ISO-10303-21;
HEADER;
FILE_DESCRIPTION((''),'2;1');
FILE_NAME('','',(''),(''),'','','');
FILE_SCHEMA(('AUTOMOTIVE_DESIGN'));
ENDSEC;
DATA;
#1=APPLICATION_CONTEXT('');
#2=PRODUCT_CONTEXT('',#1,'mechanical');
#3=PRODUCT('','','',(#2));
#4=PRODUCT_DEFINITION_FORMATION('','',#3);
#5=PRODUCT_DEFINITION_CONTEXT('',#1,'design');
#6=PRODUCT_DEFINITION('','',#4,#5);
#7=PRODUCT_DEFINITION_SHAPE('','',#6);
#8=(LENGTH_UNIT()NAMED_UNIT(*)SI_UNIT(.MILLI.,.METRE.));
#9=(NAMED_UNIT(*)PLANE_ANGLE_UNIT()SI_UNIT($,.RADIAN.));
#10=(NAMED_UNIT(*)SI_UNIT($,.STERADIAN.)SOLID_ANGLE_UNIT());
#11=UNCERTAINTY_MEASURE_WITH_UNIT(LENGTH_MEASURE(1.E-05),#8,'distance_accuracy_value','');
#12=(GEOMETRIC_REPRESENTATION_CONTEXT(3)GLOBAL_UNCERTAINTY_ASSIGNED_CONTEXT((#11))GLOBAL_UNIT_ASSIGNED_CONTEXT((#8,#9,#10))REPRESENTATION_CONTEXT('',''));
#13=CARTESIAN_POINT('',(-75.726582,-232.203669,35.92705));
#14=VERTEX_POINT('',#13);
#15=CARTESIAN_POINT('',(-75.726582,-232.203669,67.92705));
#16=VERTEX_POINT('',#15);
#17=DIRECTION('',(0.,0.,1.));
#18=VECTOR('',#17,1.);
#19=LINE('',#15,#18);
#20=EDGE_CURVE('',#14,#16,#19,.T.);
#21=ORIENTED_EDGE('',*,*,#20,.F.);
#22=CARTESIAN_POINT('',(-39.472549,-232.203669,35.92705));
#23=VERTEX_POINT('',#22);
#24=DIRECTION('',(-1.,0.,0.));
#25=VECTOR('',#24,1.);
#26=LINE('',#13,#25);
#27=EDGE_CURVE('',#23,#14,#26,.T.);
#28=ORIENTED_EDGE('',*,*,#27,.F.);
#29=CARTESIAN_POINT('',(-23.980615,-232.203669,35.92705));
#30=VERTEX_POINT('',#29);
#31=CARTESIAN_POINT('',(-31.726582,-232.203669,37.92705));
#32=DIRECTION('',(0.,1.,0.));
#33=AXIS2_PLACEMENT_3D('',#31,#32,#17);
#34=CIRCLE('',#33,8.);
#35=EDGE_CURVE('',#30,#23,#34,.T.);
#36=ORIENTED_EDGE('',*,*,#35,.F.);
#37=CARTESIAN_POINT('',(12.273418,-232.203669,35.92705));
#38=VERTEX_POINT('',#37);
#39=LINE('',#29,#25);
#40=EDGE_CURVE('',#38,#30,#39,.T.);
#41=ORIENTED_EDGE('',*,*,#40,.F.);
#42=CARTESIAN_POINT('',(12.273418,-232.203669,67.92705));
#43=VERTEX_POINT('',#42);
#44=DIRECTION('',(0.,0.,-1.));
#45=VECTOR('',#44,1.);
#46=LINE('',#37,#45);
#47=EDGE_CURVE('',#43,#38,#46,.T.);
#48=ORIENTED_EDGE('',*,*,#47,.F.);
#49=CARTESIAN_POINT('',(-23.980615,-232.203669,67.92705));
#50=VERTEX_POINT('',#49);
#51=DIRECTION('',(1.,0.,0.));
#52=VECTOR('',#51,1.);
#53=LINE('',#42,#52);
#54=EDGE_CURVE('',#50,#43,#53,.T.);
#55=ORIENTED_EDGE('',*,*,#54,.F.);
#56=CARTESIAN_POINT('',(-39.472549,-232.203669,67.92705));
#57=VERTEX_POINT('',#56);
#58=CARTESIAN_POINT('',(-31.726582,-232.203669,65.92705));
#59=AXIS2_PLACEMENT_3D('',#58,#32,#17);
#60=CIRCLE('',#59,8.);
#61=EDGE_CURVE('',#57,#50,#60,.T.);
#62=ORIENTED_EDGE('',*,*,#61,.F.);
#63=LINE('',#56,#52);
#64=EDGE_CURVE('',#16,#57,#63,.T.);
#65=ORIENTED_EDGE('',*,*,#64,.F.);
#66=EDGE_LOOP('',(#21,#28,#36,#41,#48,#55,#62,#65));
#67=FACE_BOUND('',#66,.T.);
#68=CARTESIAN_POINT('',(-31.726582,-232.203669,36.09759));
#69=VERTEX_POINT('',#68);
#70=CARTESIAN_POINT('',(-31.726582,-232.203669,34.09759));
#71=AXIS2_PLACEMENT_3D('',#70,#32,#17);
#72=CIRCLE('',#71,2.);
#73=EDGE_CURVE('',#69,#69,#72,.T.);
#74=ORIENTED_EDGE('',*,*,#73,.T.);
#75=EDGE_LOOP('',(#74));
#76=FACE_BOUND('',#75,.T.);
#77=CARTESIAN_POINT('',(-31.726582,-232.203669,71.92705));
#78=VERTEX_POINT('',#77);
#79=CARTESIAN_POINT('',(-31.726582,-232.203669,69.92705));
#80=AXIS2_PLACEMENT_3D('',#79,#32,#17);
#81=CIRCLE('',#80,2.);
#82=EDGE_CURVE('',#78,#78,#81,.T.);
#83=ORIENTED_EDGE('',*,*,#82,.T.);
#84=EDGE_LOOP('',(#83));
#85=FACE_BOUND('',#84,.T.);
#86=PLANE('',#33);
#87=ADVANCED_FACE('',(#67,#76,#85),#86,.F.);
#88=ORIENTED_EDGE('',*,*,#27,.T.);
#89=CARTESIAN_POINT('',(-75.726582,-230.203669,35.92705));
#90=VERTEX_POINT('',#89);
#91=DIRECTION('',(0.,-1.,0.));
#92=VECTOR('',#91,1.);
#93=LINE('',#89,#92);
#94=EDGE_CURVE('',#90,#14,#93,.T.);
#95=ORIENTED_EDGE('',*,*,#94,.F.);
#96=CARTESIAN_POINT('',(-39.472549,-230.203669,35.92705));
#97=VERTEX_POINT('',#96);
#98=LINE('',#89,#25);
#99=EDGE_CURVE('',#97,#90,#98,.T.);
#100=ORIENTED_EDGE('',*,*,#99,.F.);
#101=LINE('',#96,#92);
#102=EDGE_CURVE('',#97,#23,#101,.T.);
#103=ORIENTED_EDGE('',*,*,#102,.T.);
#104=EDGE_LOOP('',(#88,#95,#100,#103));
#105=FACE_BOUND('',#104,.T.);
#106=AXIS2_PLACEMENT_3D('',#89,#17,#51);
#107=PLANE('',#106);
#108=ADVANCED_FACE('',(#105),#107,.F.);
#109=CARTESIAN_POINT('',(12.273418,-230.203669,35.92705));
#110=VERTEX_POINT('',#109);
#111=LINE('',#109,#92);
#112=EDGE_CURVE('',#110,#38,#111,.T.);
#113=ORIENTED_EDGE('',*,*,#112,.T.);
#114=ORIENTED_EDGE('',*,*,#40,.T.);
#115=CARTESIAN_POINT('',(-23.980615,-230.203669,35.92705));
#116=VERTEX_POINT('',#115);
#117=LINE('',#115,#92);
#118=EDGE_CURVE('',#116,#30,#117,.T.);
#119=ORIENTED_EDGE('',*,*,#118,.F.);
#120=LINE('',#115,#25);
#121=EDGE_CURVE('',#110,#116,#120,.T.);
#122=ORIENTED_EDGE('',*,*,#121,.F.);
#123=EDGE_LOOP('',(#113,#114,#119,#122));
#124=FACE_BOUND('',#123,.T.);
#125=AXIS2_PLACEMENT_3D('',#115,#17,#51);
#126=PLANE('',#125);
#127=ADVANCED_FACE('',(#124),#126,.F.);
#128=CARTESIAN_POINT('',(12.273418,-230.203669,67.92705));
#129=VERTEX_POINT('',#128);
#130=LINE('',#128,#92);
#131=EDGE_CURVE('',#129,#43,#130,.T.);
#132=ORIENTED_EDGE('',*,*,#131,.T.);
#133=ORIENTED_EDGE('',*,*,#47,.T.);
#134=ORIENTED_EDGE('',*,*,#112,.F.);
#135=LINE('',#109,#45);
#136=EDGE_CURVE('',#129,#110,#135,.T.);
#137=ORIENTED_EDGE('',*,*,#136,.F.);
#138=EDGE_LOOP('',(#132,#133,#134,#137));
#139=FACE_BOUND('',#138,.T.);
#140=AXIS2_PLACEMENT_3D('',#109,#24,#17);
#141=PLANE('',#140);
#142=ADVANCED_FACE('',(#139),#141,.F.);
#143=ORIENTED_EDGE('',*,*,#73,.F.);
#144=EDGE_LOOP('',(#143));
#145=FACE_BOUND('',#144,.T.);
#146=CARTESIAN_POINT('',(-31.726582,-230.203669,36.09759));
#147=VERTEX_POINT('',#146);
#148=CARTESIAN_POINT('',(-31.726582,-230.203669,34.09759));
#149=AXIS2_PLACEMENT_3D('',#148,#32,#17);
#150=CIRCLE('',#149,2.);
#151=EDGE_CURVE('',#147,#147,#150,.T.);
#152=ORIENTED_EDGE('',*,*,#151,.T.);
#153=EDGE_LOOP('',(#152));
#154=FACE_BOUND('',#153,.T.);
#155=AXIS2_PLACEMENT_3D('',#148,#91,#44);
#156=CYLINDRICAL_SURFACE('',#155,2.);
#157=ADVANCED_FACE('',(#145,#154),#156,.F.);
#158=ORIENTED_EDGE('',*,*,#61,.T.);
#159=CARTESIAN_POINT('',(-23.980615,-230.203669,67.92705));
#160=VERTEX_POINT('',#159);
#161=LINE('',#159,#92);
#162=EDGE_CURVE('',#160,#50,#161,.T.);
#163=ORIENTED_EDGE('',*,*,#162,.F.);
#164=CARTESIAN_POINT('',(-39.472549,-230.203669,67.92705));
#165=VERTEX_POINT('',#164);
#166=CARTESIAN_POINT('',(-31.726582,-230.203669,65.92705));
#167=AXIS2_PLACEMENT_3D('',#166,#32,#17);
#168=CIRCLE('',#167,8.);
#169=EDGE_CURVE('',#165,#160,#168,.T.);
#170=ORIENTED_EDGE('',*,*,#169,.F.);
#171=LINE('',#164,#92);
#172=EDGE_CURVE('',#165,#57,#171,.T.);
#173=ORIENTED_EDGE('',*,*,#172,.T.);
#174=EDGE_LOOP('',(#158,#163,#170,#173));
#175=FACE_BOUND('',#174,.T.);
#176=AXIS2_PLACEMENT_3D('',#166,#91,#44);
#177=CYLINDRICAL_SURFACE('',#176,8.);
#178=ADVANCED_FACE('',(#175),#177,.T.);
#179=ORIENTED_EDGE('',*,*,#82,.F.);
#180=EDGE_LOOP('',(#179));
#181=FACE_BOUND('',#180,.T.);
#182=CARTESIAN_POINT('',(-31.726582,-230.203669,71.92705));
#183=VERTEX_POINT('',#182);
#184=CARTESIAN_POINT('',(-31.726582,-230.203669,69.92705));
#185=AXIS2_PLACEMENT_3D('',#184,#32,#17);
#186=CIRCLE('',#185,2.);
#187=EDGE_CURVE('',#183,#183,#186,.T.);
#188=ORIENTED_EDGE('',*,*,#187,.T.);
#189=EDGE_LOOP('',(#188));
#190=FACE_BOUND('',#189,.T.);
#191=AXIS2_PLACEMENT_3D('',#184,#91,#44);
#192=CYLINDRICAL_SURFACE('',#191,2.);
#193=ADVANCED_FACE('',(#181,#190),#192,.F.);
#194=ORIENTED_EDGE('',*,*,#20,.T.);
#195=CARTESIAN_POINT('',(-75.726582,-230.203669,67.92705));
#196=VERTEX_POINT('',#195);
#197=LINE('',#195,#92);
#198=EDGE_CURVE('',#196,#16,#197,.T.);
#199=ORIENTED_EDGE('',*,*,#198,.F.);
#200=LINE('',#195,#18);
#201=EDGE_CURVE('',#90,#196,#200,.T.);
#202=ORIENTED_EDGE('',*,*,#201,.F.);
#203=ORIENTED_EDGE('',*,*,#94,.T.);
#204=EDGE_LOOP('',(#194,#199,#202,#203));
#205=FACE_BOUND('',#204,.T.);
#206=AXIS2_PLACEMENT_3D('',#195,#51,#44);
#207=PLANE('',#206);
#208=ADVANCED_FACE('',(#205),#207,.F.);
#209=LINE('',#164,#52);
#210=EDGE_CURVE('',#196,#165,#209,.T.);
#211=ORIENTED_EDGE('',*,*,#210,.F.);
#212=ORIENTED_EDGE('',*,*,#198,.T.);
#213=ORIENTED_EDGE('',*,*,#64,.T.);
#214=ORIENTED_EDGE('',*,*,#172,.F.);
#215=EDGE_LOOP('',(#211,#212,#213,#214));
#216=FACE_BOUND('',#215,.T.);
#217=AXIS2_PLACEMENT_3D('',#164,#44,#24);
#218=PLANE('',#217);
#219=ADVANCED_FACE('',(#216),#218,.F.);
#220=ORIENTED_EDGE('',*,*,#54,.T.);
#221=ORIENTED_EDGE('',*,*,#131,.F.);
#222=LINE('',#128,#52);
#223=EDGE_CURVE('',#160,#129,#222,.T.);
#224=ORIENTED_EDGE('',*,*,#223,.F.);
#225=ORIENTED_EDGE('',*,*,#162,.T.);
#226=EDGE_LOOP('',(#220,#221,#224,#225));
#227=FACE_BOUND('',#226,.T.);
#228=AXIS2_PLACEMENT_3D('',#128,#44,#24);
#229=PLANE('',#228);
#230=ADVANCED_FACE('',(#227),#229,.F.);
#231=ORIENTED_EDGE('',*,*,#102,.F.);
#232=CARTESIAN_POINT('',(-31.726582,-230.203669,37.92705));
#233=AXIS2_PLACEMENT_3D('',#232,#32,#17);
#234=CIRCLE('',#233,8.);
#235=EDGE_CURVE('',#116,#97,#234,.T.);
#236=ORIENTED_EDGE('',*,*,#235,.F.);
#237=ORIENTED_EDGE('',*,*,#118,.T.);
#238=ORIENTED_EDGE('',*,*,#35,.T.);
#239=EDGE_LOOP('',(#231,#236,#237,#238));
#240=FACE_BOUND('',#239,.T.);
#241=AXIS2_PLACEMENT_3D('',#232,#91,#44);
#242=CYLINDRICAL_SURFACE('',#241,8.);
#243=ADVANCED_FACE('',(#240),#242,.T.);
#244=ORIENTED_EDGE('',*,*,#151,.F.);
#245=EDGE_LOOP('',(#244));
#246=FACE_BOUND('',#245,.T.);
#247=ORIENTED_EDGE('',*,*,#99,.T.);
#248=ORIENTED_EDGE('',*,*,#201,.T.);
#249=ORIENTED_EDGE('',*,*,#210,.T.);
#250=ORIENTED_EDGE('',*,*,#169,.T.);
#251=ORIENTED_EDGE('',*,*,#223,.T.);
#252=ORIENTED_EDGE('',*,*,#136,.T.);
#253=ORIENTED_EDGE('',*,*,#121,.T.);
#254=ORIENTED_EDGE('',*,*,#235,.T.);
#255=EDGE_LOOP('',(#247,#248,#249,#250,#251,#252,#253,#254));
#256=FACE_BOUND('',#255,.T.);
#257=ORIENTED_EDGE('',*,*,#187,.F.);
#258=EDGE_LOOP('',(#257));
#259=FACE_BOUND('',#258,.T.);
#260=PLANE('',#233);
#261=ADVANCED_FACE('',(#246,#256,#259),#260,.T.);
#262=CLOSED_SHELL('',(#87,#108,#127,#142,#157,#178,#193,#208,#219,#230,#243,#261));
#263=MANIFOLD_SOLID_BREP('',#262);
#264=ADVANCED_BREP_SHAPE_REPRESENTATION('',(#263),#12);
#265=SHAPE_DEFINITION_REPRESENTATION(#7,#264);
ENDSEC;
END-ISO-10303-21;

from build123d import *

# Parameters (mm, degrees)
SKETCH1_R           = 2
BOSS_EXTRUDE1_DEPTH = 2


with BuildPart() as part:
    # Sketch1 → Boss-Extrude1 (new body)
    with BuildSketch(Plane(origin=(0.878851429, -232.203669229, 17.838405177), x_dir=(1, 0, 0), z_dir=(0, 1, 0))):
        with BuildLine():
            Line((-76.605433247, -50.088644337), (-76.605433247, -18.088644337))
            Line((-76.605433247, -18.088644337), (-40.351399939, -18.088644337))
            ThreePointArc((-40.351399939, -18.088644337), (-32.605433247, -12.088644337), (-24.859466554, -18.088644337))
            Line((-24.859466554, -18.088644337), (11.394566753, -18.088644337))
            Line((11.394566753, -18.088644337), (11.394566753, -50.088644337))
            Line((11.394566753, -50.088644337), (-24.859466554, -50.088644337))
            ThreePointArc((-24.859466554, -50.088644337), (-32.605433247, -56.088644337), (-40.351399939, -50.088644337))
            Line((-40.351399939, -50.088644337), (-76.605433247, -50.088644337))
        make_face()
        with Locations(Location((-32.605433247, -52.088644337, 0), (0, 0, 270))):
            Circle(SKETCH1_R, mode=Mode.SUBTRACT)
        with Locations(Location((-32.605433247, -16.25918497, 0), (0, 0, 270))):
            Circle(SKETCH1_R, mode=Mode.SUBTRACT)
    extrude(amount=BOSS_EXTRUDE1_DEPTH)


solid = part.part
